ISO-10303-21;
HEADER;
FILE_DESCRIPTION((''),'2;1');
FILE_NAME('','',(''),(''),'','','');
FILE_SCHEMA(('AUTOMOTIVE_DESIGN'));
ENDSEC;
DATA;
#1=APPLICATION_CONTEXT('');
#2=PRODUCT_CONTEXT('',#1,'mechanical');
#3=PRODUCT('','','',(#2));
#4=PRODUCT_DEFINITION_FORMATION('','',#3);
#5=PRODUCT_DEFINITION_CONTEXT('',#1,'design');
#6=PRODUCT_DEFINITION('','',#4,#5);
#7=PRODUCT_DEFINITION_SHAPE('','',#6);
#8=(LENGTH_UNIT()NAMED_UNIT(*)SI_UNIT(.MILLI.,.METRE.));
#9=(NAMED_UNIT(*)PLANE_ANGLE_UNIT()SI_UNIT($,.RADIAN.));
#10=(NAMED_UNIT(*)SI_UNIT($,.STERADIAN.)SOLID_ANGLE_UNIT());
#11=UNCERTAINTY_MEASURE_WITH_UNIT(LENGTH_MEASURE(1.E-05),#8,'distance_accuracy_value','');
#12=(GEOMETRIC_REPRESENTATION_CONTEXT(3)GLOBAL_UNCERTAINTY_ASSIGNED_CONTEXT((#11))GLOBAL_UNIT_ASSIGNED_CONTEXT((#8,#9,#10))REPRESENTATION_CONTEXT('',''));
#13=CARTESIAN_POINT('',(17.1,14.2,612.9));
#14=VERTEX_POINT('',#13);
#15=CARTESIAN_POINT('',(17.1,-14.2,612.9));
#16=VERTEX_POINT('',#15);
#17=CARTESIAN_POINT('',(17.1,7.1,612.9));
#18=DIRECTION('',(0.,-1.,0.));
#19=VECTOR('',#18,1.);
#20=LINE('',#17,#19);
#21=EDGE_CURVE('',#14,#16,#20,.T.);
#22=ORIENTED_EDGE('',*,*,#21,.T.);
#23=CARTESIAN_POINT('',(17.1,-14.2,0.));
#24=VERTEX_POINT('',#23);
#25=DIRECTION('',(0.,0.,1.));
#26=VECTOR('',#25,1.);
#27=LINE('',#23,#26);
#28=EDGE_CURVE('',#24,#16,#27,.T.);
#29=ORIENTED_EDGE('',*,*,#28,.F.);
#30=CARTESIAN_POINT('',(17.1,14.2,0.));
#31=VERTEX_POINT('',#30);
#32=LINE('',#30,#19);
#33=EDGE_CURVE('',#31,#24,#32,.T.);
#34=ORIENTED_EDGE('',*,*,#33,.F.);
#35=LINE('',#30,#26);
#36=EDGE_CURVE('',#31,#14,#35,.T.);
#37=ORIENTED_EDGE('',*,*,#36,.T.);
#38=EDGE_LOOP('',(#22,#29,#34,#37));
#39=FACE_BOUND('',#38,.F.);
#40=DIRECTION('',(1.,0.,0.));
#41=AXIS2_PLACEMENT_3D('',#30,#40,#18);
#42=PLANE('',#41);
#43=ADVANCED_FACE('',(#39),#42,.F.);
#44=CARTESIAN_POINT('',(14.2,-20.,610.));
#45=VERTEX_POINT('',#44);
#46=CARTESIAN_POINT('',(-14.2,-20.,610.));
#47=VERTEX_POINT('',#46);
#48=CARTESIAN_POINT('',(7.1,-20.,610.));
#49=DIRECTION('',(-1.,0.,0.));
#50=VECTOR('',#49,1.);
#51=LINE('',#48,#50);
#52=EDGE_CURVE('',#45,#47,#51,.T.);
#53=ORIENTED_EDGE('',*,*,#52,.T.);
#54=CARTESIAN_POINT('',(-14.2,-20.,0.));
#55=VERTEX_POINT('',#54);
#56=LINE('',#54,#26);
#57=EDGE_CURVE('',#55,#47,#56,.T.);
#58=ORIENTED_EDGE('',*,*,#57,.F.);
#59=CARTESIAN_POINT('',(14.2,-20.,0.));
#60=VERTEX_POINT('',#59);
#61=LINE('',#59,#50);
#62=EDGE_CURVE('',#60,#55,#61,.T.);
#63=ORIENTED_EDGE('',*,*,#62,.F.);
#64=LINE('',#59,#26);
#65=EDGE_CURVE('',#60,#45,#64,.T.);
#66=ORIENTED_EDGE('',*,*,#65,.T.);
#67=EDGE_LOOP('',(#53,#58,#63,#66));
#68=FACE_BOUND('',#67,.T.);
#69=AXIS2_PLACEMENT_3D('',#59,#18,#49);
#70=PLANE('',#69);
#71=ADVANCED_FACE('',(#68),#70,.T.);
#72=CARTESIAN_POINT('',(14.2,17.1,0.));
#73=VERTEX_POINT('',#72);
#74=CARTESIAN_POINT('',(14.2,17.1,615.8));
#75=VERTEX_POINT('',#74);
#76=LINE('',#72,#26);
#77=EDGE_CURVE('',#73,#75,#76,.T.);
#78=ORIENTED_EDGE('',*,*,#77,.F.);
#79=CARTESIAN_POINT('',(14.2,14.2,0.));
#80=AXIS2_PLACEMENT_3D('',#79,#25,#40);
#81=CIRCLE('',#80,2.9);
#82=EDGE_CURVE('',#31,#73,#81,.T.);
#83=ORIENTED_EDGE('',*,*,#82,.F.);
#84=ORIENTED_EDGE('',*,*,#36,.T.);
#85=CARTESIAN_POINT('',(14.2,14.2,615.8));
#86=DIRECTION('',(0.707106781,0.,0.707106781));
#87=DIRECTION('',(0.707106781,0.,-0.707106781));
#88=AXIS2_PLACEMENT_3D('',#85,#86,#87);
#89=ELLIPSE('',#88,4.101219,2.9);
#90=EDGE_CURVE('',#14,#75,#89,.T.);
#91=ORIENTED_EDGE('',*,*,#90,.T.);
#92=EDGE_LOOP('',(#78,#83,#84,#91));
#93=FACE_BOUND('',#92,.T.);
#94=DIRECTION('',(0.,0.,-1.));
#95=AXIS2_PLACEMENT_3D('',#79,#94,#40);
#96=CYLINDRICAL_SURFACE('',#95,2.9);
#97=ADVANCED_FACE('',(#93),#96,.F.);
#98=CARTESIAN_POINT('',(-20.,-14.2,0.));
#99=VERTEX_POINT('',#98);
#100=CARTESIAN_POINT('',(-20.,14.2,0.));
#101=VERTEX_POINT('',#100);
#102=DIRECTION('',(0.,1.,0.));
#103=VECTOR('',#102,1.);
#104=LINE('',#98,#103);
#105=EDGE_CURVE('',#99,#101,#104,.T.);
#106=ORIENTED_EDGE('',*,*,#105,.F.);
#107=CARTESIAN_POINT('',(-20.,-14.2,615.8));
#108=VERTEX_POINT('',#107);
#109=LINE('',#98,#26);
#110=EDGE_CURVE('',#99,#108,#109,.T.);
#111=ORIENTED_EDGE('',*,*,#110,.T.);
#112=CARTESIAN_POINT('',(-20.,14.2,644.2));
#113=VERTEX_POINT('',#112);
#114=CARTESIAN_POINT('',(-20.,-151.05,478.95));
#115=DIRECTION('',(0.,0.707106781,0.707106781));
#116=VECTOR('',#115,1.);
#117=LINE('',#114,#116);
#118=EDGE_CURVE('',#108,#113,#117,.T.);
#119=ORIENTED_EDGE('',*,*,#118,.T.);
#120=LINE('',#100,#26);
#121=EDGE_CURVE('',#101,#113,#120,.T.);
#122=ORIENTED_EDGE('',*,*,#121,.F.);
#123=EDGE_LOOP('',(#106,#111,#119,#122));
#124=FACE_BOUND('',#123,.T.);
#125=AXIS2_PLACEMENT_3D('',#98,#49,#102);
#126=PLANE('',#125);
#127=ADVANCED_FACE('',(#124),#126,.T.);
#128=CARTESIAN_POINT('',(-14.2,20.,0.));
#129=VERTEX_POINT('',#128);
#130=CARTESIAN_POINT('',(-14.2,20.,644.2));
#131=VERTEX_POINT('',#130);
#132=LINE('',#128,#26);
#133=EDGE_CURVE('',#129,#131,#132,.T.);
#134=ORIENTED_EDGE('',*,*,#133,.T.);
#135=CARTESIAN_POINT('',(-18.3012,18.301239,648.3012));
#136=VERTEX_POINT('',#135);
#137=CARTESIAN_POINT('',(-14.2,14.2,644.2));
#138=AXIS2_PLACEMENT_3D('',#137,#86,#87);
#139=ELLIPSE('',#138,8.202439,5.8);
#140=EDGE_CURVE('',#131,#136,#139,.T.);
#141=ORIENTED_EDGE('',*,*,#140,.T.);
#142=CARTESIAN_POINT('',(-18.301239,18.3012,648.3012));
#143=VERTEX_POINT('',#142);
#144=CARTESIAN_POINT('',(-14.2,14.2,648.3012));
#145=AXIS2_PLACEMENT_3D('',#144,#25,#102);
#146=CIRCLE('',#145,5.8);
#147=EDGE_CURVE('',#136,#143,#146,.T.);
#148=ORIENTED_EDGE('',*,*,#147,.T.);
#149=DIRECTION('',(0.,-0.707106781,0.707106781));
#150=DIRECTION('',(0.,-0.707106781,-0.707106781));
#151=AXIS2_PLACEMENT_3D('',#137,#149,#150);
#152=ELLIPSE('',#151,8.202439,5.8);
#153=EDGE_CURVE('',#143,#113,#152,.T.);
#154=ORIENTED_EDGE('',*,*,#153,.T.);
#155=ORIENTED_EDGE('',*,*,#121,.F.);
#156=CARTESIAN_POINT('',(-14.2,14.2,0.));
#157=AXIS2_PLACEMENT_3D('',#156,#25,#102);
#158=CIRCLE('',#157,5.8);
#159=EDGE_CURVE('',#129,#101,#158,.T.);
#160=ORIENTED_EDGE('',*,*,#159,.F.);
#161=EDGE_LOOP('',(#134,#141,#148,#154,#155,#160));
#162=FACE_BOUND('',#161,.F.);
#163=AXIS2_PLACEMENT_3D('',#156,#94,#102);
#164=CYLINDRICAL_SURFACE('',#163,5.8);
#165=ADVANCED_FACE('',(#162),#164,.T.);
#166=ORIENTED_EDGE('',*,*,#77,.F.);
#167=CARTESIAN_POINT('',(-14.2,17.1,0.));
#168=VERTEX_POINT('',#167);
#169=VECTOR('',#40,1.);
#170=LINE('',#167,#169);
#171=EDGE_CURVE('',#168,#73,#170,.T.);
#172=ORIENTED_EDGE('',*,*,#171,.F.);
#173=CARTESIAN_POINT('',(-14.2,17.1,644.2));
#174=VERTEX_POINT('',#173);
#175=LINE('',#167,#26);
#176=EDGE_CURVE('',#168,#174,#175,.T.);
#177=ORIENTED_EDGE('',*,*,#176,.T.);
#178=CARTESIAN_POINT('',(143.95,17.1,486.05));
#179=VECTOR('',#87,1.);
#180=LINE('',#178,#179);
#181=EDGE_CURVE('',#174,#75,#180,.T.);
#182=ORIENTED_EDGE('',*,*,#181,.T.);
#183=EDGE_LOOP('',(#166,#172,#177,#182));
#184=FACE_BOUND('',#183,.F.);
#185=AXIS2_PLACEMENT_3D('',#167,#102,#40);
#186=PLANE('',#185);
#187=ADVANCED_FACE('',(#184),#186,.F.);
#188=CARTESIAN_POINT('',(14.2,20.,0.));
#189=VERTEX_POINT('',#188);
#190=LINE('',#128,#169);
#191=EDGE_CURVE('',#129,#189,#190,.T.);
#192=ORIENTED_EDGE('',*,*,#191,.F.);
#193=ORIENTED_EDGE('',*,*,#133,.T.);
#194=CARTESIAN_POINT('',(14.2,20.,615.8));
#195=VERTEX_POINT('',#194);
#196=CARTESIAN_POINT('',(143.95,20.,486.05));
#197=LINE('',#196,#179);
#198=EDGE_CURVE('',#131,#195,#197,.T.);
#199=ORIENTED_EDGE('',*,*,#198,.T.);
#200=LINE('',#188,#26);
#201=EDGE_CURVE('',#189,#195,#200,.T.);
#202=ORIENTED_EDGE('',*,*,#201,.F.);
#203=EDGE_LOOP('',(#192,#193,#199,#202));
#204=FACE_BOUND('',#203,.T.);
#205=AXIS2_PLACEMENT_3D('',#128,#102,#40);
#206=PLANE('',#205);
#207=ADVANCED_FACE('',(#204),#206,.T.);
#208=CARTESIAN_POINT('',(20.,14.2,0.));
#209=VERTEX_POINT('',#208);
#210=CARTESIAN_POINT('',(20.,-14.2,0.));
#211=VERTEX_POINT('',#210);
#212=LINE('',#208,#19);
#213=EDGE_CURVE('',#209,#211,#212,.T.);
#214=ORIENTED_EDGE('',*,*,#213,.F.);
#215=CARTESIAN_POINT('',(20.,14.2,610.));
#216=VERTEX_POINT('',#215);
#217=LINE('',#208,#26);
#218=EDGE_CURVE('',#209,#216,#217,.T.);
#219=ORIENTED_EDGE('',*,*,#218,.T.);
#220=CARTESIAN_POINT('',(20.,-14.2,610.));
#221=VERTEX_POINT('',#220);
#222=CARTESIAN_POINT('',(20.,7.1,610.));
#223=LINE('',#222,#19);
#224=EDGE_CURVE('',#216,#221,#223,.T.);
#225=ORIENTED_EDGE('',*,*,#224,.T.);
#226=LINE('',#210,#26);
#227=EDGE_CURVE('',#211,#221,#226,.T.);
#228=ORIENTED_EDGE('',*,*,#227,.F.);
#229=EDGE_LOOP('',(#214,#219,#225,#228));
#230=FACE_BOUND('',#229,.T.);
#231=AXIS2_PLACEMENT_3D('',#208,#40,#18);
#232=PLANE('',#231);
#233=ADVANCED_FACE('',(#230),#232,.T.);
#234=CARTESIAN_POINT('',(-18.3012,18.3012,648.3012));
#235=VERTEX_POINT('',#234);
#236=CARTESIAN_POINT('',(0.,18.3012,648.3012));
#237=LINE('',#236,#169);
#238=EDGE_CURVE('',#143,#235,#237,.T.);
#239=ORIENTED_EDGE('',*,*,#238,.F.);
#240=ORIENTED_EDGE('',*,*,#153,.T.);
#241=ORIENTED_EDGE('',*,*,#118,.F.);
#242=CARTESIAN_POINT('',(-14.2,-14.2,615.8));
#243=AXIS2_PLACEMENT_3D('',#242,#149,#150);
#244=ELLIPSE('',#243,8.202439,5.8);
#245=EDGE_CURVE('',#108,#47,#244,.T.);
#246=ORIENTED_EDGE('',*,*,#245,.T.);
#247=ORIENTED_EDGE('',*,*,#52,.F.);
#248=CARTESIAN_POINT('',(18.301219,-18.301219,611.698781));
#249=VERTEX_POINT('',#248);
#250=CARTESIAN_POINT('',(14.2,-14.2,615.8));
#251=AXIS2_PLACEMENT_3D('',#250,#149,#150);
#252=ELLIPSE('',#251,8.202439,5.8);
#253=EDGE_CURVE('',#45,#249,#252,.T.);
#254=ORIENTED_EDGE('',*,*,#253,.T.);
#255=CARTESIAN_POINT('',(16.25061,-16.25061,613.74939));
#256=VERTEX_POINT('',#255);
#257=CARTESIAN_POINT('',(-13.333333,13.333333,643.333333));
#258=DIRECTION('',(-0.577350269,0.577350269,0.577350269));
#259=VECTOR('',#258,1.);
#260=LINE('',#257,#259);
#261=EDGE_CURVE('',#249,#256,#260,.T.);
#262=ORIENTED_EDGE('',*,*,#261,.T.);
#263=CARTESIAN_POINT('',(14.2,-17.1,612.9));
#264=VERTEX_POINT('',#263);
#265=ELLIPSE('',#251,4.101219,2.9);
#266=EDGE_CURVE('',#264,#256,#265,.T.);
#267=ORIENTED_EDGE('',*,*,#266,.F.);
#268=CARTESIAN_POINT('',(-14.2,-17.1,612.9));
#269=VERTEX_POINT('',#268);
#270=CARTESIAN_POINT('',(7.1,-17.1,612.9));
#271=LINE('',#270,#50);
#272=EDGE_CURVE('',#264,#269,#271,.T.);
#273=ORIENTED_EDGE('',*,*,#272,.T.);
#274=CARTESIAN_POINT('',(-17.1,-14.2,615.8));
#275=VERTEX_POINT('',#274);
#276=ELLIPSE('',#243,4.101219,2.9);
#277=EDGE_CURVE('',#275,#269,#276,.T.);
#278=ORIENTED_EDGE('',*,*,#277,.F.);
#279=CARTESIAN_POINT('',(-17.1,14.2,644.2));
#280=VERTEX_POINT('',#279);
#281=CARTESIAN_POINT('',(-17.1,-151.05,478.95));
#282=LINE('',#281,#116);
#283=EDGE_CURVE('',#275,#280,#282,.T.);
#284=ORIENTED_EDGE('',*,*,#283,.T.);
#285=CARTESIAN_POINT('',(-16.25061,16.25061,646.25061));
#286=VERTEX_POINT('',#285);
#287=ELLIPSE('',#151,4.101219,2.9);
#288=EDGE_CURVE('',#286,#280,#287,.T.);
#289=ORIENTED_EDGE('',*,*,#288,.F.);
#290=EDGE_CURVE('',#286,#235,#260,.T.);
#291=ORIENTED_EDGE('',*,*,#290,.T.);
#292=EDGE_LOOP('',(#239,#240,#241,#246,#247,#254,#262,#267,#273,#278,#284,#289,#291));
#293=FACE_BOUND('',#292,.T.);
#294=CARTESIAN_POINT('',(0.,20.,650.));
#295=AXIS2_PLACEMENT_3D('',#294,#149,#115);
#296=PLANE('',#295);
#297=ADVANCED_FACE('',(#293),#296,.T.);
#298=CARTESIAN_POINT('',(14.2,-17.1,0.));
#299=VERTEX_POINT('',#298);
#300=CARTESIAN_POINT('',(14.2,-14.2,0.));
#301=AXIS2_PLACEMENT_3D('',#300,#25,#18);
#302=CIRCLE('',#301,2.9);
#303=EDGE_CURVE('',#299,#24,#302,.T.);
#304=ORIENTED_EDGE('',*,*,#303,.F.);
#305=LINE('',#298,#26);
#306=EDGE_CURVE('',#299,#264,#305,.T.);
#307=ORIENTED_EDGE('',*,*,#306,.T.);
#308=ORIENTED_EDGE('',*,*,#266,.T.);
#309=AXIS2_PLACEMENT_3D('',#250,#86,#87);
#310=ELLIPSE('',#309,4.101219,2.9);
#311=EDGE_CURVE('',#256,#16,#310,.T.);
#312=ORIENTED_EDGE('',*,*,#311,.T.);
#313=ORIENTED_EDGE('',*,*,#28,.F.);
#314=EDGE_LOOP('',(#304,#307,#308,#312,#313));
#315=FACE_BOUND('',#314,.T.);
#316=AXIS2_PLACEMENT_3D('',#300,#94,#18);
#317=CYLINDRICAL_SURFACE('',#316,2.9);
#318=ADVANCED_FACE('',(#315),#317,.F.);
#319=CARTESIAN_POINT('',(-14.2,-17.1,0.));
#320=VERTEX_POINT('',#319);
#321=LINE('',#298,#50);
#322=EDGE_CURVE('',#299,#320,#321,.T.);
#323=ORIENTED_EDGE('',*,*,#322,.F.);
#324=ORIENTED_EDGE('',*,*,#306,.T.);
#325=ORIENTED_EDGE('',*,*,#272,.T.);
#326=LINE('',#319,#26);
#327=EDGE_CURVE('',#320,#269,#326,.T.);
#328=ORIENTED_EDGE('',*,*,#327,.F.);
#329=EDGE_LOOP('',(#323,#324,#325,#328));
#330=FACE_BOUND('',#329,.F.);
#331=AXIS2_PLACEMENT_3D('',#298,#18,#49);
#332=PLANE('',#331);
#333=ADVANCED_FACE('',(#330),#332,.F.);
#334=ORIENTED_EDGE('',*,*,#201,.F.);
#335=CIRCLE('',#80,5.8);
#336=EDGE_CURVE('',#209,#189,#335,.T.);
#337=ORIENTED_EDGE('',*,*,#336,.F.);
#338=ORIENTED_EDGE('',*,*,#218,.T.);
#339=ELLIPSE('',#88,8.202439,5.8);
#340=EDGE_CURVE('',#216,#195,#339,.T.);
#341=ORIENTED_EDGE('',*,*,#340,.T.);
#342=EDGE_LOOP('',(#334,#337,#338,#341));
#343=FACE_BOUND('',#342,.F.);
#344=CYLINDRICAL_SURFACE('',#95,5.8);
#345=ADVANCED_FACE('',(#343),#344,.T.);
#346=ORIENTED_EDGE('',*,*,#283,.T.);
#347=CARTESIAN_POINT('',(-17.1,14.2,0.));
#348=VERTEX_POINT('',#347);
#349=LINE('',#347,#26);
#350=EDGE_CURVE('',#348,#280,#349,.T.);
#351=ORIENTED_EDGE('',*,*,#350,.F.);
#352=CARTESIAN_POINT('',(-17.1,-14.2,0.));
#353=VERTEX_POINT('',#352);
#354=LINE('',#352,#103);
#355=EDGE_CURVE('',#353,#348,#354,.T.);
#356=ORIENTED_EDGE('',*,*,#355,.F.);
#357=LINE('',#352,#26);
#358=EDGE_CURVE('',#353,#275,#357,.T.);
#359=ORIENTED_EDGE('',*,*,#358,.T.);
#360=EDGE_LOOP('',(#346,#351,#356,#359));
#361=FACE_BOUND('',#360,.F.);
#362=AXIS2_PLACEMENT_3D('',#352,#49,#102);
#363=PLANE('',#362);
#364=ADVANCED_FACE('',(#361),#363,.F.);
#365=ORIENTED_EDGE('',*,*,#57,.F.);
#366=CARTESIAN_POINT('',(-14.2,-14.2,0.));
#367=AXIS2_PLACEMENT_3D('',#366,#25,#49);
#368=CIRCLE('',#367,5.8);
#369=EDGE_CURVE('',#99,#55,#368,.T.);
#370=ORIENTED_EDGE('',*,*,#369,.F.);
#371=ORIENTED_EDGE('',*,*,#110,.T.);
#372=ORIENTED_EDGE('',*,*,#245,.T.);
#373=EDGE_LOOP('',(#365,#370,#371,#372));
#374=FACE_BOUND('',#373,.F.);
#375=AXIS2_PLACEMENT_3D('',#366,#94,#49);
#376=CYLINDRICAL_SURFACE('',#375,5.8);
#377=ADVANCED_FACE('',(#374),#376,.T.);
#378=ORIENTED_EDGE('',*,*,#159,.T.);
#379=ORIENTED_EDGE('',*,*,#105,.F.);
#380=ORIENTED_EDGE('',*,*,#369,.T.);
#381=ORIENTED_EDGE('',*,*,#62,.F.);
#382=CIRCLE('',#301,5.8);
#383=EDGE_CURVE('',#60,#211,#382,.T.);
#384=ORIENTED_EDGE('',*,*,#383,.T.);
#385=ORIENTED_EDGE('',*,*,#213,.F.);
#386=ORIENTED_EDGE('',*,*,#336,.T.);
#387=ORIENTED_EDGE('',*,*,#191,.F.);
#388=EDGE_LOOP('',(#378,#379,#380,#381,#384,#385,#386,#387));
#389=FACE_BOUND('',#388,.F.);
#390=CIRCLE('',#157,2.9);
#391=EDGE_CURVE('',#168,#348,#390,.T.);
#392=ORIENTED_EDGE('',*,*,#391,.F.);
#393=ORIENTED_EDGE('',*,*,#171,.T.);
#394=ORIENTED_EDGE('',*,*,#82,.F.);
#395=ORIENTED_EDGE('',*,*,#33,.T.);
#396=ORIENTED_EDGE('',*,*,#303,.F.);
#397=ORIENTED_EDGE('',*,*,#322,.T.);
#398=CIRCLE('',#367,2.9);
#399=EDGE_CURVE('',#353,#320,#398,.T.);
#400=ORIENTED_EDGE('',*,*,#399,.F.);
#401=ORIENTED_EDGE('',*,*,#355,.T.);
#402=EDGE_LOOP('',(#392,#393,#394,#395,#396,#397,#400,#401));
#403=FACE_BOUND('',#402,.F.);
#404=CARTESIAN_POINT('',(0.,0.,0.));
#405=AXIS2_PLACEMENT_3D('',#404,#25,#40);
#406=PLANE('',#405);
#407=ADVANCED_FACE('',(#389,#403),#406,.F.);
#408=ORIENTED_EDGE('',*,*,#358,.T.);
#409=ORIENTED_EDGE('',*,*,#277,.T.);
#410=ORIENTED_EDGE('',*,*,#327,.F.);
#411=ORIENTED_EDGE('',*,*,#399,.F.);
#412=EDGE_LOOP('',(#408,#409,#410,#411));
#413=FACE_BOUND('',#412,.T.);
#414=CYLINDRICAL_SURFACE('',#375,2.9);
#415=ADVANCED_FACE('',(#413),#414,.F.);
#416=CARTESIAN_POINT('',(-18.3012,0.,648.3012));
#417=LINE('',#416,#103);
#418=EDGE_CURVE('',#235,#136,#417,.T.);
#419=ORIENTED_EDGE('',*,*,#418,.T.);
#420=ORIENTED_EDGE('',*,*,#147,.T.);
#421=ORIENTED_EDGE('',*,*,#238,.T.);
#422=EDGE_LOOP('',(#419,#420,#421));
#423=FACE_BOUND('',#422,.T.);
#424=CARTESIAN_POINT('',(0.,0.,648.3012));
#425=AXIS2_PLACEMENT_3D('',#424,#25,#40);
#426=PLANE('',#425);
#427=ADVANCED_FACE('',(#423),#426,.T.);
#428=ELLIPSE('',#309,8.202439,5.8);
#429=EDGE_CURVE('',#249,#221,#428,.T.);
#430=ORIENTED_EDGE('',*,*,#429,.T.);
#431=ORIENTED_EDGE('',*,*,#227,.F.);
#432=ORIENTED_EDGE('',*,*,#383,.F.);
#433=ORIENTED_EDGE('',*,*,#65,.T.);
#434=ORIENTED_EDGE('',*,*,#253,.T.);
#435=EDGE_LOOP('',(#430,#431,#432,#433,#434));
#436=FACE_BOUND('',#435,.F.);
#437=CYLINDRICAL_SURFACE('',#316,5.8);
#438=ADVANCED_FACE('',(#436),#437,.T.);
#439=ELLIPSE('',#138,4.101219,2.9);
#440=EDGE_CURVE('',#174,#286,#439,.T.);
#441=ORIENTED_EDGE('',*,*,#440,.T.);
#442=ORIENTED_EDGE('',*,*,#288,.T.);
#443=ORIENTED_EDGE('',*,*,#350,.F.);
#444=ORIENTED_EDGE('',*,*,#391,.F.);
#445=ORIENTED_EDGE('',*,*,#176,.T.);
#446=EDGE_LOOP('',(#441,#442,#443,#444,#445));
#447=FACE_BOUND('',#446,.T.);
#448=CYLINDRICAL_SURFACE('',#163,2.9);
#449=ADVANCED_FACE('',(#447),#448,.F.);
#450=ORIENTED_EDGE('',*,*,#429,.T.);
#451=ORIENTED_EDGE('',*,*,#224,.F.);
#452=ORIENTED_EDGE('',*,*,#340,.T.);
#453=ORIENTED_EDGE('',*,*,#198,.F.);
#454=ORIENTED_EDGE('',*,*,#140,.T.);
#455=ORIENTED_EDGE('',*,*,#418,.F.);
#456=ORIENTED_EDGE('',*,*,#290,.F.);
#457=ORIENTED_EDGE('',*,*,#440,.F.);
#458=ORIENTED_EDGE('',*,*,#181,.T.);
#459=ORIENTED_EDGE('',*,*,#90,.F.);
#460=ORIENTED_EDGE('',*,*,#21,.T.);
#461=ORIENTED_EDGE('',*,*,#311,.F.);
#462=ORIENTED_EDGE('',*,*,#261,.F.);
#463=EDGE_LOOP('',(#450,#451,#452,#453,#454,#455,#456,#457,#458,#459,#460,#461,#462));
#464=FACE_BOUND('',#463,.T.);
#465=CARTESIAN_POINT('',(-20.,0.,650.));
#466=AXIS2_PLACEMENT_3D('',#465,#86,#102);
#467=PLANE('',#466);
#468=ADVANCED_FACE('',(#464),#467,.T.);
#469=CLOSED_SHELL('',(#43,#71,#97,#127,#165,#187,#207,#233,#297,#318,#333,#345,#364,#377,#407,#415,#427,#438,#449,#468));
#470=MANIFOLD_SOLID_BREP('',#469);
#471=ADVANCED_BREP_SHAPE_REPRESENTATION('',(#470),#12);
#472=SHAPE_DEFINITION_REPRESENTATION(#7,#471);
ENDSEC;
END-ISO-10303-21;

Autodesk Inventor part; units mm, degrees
ref_plane "Plano inicial" through (0, 0, 0) normal (0, 0, 1) x (1, 0, 0)
ref_plane "Plano final" through (0, 0, 648.3012) normal (0, 0, 1) x (1, 0, 0)
sketch "Boceto" plane through (0, 0, 0) normal (0, 0, 1) x (1, 0, 0)
  line L0 (-14.2, 20) -> (14.2, 20)
  line L1 (20, 14.2) -> (20, -14.2)
  line L2 (14.2, -20) -> (-14.2, -20)
  line L3 (-20, -14.2) -> (-20, 14.2)
  arc A0 (-14.2, 20) -> (-20, 14.2) centre (-14.2, 14.2) ccw
  arc A1 (20, 14.2) -> (14.2, 20) centre (14.2, 14.2) ccw
  arc A2 (14.2, -20) -> (20, -14.2) centre (14.2, -14.2) ccw
  arc A3 (-20, -14.2) -> (-14.2, -20) centre (-14.2, -14.2) ccw
  line L4 (-29.6817, 0) -> (29.6817, 0) construction
  line L5 (0, -29.6817) -> (0, 29.6817) construction
  arc A4 (-14.2, 17.1) -> (-17.1, 14.2) centre (-14.2, 14.2) ccw
  line L6 (-14.2, 17.1) -> (14.2, 17.1)
  arc A5 (17.1, 14.2) -> (14.2, 17.1) centre (14.2, 14.2) ccw
  line L7 (17.1, 14.2) -> (17.1, -14.2)
  arc A6 (14.2, -17.1) -> (17.1, -14.2) centre (14.2, -14.2) ccw
  line L8 (14.2, -17.1) -> (-14.2, -17.1)
  arc A7 (-17.1, -14.2) -> (-14.2, -17.1) centre (-14.2, -14.2) ccw
  line L9 (-17.1, -14.2) -> (-17.1, 14.2)
  point P0 (-20, 20)
  point P1 (20, -20)
  point P2 (20, 20)
  dimension "b" = 40
  dimension "msp_r" = 5.8
  dimension "d8" = 20
  dimension "d9" = 20
  dimension "d10" = 2.9
extrude "Cuerpo" add sketch "Boceto" along normal up to surface (648.3012 mm away) from surface at 0
sketch "Sketch2" plane through (0, 0, 0) normal (0, 0, 1) x (1, 0, 0)
  line L0 (0, 0) -> (10, 0)
ref_plane "Work Plane3" through (0, 0, 0) normal (0, -1, 0) x (1, 0, 0)
sketch "Sketch3" plane through (0, 0, 0) normal (0, -1, 0) x (1, 0, 0)
  line L0 (-2, 0) -> (12, 0)
  line L1 (-2, 648.3012) -> (12, 648.3012)
  dimension "d14" = 648.3012
ref_plane "Plano de trabajo4" through (0, 20, 650) normal (0, -0.7071, 0.7071) x (1, 0, 0)
split "Dividir1" plane through (0, 20, 650) removes the side toward (0, -0.7071, 0.7071)
ref_plane "Plano de trabajo5" through (-20, 0, 650) normal (0.7071, 0, 0.7071) x (0.7071, 0, -0.7071)
split "Dividir2" plane through (-20, 0, 650) removes the side toward (0.7071, 0, 0.7071)
equation "\"msp_r\" = 2 * ParT"
equation "\"d8\" = d9"
equation "\"d9\" = 0.5 * b"
equation "\"d10\" = ParT"
equation "\"G_OFFSET_START\" = 0"
equation "\"G_OFFSET_END\" = 18.30122"
equation "\"d12\" = G_OFFSET_END + B_L"
equation "\"G_L\" = d14"
equation "\"ParT\" = 2.9"
equation "\"B_L\" = 630"
properties part number "DIN 59 410 - 40x40x2.9-648.301" material "Acero, suave"
